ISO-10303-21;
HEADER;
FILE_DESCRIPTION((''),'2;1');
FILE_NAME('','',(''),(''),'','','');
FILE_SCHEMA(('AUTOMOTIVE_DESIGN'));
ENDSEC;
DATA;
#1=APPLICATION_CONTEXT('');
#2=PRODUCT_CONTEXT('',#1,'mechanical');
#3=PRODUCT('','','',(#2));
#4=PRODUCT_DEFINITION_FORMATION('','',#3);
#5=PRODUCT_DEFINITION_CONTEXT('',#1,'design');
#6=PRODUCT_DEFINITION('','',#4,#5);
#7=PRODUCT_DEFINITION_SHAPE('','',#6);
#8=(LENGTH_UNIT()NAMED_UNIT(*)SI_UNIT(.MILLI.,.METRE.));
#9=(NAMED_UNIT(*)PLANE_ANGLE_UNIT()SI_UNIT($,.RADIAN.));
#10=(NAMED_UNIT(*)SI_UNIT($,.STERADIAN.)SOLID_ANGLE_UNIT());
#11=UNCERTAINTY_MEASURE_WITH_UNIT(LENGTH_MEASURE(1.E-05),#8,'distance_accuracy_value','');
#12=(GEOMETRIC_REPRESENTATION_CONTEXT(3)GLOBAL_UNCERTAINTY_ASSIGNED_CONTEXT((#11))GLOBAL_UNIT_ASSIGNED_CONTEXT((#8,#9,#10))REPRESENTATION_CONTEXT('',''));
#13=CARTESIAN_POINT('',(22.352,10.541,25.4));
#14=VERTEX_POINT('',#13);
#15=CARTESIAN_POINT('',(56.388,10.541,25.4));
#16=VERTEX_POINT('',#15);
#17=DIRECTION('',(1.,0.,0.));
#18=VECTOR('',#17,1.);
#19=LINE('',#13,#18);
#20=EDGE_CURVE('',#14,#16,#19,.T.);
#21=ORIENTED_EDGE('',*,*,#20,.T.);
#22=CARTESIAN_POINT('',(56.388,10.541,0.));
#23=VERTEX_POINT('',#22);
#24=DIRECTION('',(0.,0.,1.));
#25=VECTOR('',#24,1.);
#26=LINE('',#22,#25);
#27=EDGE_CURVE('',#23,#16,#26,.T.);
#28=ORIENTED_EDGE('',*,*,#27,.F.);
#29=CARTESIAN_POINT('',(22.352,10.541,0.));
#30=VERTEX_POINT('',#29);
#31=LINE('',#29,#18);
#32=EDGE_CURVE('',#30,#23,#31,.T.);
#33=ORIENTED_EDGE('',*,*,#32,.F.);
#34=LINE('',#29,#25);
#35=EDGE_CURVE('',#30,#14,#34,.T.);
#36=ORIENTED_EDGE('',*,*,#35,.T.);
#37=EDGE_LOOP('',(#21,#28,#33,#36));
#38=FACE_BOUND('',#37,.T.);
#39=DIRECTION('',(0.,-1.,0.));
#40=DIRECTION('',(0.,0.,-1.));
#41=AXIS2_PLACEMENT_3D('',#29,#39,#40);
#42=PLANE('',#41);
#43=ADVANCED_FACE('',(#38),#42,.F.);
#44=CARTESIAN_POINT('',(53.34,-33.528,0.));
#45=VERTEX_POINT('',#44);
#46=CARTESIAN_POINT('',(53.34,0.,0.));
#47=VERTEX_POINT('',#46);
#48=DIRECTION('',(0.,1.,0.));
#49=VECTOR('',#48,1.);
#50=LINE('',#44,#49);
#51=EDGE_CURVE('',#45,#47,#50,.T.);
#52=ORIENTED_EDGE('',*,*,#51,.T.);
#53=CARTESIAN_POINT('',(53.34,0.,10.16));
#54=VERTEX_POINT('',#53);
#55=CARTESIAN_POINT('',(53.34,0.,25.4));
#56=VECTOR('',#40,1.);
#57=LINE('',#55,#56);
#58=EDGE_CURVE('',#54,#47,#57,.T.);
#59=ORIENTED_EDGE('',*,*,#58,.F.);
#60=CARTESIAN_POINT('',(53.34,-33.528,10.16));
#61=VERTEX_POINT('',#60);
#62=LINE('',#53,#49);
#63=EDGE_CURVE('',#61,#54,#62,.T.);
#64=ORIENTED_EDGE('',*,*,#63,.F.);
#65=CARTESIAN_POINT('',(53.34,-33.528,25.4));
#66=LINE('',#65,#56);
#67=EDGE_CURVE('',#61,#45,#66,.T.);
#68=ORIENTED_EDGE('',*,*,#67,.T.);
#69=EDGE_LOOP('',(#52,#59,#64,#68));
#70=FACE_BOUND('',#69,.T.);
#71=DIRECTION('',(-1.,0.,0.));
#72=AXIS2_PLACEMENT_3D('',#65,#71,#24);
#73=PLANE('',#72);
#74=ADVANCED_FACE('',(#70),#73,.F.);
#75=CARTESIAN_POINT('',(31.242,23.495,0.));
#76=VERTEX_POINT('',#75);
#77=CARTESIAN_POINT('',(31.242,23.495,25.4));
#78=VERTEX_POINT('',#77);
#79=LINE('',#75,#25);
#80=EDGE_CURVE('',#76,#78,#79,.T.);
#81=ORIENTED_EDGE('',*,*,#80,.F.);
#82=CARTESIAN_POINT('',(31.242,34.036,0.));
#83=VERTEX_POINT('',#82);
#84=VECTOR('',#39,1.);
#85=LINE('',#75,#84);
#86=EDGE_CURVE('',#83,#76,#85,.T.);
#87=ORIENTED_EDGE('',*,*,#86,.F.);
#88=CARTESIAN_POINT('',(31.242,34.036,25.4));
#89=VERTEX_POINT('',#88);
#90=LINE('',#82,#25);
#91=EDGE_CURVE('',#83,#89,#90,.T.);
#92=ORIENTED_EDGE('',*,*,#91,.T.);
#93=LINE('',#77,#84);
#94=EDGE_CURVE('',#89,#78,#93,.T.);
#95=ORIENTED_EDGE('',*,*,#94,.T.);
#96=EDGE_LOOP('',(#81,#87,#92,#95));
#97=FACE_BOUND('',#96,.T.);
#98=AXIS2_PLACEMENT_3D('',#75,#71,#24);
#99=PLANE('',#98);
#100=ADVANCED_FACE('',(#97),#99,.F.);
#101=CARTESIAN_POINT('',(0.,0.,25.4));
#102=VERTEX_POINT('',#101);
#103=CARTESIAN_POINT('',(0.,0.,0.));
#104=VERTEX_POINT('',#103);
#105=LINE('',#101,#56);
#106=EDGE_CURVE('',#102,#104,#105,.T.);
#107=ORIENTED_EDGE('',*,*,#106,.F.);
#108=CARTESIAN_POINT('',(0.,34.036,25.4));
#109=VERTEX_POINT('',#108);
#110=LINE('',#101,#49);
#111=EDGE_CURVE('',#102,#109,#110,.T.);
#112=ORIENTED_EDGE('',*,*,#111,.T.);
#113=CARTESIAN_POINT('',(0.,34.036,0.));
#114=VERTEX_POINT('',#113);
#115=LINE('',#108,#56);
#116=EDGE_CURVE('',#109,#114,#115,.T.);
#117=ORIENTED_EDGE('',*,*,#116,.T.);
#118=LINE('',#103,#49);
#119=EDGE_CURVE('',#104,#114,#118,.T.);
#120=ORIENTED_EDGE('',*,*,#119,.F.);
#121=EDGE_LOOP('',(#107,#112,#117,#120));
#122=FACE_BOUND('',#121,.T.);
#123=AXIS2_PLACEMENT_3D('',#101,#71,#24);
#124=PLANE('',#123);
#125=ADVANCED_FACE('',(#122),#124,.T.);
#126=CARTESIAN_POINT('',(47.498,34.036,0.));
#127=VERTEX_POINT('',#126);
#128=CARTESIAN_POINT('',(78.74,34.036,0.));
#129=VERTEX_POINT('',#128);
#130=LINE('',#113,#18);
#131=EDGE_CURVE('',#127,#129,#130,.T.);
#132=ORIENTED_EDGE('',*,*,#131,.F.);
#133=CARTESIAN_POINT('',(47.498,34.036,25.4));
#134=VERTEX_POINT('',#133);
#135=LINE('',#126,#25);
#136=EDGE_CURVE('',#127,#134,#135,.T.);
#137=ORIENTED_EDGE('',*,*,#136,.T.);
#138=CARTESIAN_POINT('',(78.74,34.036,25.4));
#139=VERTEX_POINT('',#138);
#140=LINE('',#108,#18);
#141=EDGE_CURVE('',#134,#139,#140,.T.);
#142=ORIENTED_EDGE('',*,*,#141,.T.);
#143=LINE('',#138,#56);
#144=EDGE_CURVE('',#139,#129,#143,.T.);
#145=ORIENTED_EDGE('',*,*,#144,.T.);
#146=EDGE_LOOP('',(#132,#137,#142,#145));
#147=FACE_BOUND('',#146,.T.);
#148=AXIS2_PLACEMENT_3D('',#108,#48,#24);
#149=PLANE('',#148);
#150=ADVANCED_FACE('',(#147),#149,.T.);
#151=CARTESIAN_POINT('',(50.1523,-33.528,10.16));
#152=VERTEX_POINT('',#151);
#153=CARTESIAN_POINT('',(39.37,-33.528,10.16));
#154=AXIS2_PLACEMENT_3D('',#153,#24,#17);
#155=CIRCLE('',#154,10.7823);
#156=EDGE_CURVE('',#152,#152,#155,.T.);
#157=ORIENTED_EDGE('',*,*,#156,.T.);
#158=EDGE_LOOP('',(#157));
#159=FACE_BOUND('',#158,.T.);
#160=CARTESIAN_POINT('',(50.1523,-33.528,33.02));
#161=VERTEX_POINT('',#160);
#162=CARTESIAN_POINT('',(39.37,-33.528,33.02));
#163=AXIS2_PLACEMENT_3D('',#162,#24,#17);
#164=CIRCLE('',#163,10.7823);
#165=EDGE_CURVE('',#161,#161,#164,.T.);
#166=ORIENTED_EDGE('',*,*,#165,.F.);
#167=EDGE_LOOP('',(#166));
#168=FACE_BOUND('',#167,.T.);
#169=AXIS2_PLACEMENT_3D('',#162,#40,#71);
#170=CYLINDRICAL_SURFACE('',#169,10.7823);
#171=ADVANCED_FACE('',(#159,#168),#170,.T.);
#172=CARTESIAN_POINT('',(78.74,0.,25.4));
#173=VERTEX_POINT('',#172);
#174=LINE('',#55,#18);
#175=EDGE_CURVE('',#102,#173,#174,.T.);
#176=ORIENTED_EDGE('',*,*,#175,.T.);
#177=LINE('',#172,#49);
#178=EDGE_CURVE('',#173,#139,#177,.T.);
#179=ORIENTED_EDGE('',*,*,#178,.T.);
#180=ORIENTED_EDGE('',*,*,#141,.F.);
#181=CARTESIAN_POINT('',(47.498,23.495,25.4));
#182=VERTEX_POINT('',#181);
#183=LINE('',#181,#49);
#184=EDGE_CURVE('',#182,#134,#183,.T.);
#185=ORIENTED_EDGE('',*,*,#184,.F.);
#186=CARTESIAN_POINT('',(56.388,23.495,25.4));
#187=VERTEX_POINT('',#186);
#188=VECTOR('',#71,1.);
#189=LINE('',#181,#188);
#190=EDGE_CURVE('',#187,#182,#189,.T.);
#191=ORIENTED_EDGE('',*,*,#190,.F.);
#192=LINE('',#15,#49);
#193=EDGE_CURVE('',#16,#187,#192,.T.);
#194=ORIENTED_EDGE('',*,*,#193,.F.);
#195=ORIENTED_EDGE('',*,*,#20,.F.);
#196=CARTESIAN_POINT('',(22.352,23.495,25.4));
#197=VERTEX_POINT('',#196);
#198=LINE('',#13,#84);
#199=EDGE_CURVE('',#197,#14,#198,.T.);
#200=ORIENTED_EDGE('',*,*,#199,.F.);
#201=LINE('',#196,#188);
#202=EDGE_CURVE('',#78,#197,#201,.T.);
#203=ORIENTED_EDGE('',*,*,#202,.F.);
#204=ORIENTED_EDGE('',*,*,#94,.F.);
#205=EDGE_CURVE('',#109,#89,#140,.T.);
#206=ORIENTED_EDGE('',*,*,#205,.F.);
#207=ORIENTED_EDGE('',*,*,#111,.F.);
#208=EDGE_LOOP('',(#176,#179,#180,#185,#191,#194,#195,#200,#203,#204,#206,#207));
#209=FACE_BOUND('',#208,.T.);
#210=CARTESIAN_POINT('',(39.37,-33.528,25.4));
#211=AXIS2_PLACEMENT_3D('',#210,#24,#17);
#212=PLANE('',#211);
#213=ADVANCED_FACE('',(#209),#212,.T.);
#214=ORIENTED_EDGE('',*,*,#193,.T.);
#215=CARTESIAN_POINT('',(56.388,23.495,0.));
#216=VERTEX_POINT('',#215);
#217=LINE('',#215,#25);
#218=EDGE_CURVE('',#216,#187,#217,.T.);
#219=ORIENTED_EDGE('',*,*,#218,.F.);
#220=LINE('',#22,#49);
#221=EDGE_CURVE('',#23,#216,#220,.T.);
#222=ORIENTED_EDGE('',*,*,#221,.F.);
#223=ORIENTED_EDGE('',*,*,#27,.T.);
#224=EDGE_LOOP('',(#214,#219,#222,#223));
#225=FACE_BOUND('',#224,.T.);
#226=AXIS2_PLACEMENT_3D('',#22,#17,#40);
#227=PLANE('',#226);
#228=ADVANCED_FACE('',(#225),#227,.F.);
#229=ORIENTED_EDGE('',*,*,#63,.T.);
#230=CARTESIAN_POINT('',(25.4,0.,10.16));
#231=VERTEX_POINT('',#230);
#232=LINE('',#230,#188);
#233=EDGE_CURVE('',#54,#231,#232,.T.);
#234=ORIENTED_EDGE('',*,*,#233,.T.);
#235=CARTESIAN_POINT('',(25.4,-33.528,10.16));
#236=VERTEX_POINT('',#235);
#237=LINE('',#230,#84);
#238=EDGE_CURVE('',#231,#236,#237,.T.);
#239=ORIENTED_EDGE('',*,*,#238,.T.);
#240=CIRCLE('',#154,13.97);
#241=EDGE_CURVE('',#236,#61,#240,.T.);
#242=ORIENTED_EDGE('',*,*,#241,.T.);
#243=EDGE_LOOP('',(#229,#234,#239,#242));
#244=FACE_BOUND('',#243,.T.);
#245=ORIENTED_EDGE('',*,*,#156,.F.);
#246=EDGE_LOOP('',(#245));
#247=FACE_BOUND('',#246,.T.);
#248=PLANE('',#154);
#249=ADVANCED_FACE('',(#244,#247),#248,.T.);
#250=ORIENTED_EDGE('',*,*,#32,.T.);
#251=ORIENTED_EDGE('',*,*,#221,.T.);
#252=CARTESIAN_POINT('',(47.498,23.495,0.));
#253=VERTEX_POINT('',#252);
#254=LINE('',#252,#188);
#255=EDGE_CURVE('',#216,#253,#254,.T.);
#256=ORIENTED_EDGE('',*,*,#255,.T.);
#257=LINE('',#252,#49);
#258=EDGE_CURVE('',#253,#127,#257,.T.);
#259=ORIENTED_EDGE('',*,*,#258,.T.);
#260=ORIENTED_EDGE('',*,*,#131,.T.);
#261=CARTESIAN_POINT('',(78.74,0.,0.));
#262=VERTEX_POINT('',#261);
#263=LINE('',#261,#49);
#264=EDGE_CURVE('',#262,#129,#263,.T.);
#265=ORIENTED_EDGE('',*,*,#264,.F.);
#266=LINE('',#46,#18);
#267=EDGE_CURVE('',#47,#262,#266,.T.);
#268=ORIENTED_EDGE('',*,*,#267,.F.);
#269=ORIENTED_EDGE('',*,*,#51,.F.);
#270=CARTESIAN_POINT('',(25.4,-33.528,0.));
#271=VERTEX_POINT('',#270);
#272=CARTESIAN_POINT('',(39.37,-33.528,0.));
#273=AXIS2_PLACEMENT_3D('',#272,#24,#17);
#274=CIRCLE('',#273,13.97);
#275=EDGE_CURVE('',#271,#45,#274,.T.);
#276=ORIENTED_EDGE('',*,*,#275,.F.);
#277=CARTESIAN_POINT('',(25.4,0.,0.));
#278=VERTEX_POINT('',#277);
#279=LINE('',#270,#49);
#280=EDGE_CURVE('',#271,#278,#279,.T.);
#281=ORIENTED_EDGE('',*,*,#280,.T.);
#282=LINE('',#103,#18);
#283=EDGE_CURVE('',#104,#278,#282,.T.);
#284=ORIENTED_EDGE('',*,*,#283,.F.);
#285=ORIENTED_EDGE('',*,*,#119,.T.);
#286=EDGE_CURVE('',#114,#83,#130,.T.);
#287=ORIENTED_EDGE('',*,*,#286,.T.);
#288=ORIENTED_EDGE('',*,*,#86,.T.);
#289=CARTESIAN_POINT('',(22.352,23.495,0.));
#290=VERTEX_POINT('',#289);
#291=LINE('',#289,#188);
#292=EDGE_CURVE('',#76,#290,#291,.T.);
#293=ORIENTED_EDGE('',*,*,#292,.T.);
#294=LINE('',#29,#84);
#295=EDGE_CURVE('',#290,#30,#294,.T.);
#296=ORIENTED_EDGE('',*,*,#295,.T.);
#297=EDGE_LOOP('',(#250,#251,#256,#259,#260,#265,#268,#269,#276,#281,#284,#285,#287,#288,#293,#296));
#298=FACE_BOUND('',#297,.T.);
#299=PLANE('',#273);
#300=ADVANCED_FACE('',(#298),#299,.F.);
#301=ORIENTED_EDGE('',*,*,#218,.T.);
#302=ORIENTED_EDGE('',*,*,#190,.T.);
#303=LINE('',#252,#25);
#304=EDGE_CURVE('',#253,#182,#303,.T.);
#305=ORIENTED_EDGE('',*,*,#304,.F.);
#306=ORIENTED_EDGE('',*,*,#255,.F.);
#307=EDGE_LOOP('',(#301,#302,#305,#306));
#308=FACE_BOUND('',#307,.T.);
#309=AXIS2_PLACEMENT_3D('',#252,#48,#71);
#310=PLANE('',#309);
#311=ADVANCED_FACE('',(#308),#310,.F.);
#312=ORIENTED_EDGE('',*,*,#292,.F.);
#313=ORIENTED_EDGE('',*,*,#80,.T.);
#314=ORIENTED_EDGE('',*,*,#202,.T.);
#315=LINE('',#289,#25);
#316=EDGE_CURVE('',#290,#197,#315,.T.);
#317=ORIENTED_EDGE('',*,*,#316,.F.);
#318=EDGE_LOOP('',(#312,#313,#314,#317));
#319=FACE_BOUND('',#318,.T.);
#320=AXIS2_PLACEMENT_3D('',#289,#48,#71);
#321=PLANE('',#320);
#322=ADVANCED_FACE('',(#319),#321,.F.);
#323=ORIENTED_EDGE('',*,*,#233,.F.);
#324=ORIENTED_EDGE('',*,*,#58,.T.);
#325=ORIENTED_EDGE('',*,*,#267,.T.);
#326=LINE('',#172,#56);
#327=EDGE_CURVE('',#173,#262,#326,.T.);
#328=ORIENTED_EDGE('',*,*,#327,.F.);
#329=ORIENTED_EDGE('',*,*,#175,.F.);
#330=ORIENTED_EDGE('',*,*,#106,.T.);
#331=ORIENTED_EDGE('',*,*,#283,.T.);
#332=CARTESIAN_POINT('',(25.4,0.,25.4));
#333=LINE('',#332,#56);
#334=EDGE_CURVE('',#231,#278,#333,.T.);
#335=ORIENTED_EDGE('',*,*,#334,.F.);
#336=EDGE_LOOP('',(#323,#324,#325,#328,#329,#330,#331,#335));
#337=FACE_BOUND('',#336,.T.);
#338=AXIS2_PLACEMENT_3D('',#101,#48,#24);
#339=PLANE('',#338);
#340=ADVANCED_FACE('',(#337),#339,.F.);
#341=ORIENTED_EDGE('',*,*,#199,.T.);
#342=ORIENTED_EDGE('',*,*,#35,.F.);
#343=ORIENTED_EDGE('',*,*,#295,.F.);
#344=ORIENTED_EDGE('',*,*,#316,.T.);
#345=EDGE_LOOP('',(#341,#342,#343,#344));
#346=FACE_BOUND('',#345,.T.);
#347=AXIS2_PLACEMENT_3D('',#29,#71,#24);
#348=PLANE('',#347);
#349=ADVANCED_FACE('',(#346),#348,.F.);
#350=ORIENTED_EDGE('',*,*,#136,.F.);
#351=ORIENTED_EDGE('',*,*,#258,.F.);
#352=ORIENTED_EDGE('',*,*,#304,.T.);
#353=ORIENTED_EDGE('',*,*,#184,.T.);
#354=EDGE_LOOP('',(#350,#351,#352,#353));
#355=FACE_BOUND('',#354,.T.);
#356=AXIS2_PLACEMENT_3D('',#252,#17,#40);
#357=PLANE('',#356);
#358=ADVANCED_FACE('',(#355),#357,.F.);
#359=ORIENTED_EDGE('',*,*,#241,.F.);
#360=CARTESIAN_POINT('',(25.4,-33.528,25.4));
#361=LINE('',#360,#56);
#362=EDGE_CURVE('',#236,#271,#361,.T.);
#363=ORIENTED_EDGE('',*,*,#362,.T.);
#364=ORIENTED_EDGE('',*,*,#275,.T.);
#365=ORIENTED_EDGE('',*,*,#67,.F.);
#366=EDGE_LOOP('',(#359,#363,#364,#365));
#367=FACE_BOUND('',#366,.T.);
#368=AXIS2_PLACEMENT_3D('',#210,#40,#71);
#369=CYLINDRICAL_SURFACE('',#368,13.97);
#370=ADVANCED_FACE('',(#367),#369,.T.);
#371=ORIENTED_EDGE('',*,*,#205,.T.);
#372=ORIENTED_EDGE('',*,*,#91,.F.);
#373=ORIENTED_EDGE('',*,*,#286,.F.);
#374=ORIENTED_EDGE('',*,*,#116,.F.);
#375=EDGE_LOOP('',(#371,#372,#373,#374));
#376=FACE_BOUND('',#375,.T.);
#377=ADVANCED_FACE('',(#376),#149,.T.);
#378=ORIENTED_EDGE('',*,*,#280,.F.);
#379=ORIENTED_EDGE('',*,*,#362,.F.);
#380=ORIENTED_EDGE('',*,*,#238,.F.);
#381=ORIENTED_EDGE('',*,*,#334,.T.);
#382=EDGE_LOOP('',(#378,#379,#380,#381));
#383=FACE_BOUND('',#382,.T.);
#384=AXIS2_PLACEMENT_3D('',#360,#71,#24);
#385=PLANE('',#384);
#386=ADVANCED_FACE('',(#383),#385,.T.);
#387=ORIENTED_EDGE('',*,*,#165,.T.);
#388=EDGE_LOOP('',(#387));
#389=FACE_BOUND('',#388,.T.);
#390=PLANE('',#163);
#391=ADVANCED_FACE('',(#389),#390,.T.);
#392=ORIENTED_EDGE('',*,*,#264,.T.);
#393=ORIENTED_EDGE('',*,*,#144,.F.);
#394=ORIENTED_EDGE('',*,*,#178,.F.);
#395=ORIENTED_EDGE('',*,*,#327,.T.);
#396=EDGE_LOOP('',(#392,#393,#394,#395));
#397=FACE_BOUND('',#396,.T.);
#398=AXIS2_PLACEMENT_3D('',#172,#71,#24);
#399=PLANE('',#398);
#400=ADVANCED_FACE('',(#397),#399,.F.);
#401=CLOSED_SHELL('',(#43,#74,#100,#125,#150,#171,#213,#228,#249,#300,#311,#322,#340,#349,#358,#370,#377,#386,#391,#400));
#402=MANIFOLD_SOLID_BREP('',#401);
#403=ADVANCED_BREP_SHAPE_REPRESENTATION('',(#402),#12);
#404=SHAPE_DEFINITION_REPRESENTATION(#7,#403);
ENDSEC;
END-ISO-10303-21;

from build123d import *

# Parameters (mm, degrees)
BOSS_EXTRUDE3_DEPTH = 25.4
CUT_EXTRUDE2_DEPTH  = 96.400249497
CUT_EXTRUDE3_START  = -15.24
CUT_EXTRUDE3_DEPTH  = 15.24
SKETCH8_R           = 10.7823
BOSS_EXTRUDE4_DEPTH = 22.86


with BuildPart() as part:
    # Sketch4 → Boss-Extrude3 (new body)
    with BuildSketch(Plane.XY):
        with BuildLine():
            Line((0, 0), (25.4, 0))
            Line((25.4, 0), (25.4, -33.528))
            ThreePointArc((25.4, -33.528), (39.37, -47.498), (53.34, -33.528))
            Line((53.34, -33.528), (53.34, 0))
            Line((53.34, 0), (78.74, 0))
            Line((78.74, 0), (78.74, 34.036))
            Line((78.74, 34.036), (0, 34.036))
            Line((0, 34.036), (0, 0))
        make_face()
    extrude(amount=BOSS_EXTRUDE3_DEPTH)

    # Sketch5 → Cut-Extrude2 (cut, through all)
    with BuildSketch(Plane.XY.offset(25.4)):
        Polygon((47.498, 23.495), (56.388, 23.495), (56.388, 10.541), (22.352, 10.541), (22.352, 23.495), (31.242, 23.495), (31.242, 34.036), (47.498, 34.036), align=None)
    extrude(amount=-CUT_EXTRUDE2_DEPTH, mode=Mode.SUBTRACT)

    # Sketch7 → Cut-Extrude3 (cut)
    with BuildSketch(Plane.XY.offset(25.4).offset(CUT_EXTRUDE3_START)):
        with BuildLine():
            Line((25.4, 0), (53.34, 0))
            Line((53.34, 0), (53.34, -33.528))
            ThreePointArc((53.34, -33.528), (39.37, -47.498), (25.4, -33.528))
            Line((25.4, -33.528), (25.4, 0))
        make_face()
    extrude(amount=CUT_EXTRUDE3_DEPTH, mode=Mode.SUBTRACT)

    # Sketch8 → Boss-Extrude4 (add)
    with BuildSketch(Plane.XY.offset(10.16)):
        with Locations((39.37, -33.528)):
            Circle(SKETCH8_R)
    extrude(amount=BOSS_EXTRUDE4_DEPTH)


solid = part.part
